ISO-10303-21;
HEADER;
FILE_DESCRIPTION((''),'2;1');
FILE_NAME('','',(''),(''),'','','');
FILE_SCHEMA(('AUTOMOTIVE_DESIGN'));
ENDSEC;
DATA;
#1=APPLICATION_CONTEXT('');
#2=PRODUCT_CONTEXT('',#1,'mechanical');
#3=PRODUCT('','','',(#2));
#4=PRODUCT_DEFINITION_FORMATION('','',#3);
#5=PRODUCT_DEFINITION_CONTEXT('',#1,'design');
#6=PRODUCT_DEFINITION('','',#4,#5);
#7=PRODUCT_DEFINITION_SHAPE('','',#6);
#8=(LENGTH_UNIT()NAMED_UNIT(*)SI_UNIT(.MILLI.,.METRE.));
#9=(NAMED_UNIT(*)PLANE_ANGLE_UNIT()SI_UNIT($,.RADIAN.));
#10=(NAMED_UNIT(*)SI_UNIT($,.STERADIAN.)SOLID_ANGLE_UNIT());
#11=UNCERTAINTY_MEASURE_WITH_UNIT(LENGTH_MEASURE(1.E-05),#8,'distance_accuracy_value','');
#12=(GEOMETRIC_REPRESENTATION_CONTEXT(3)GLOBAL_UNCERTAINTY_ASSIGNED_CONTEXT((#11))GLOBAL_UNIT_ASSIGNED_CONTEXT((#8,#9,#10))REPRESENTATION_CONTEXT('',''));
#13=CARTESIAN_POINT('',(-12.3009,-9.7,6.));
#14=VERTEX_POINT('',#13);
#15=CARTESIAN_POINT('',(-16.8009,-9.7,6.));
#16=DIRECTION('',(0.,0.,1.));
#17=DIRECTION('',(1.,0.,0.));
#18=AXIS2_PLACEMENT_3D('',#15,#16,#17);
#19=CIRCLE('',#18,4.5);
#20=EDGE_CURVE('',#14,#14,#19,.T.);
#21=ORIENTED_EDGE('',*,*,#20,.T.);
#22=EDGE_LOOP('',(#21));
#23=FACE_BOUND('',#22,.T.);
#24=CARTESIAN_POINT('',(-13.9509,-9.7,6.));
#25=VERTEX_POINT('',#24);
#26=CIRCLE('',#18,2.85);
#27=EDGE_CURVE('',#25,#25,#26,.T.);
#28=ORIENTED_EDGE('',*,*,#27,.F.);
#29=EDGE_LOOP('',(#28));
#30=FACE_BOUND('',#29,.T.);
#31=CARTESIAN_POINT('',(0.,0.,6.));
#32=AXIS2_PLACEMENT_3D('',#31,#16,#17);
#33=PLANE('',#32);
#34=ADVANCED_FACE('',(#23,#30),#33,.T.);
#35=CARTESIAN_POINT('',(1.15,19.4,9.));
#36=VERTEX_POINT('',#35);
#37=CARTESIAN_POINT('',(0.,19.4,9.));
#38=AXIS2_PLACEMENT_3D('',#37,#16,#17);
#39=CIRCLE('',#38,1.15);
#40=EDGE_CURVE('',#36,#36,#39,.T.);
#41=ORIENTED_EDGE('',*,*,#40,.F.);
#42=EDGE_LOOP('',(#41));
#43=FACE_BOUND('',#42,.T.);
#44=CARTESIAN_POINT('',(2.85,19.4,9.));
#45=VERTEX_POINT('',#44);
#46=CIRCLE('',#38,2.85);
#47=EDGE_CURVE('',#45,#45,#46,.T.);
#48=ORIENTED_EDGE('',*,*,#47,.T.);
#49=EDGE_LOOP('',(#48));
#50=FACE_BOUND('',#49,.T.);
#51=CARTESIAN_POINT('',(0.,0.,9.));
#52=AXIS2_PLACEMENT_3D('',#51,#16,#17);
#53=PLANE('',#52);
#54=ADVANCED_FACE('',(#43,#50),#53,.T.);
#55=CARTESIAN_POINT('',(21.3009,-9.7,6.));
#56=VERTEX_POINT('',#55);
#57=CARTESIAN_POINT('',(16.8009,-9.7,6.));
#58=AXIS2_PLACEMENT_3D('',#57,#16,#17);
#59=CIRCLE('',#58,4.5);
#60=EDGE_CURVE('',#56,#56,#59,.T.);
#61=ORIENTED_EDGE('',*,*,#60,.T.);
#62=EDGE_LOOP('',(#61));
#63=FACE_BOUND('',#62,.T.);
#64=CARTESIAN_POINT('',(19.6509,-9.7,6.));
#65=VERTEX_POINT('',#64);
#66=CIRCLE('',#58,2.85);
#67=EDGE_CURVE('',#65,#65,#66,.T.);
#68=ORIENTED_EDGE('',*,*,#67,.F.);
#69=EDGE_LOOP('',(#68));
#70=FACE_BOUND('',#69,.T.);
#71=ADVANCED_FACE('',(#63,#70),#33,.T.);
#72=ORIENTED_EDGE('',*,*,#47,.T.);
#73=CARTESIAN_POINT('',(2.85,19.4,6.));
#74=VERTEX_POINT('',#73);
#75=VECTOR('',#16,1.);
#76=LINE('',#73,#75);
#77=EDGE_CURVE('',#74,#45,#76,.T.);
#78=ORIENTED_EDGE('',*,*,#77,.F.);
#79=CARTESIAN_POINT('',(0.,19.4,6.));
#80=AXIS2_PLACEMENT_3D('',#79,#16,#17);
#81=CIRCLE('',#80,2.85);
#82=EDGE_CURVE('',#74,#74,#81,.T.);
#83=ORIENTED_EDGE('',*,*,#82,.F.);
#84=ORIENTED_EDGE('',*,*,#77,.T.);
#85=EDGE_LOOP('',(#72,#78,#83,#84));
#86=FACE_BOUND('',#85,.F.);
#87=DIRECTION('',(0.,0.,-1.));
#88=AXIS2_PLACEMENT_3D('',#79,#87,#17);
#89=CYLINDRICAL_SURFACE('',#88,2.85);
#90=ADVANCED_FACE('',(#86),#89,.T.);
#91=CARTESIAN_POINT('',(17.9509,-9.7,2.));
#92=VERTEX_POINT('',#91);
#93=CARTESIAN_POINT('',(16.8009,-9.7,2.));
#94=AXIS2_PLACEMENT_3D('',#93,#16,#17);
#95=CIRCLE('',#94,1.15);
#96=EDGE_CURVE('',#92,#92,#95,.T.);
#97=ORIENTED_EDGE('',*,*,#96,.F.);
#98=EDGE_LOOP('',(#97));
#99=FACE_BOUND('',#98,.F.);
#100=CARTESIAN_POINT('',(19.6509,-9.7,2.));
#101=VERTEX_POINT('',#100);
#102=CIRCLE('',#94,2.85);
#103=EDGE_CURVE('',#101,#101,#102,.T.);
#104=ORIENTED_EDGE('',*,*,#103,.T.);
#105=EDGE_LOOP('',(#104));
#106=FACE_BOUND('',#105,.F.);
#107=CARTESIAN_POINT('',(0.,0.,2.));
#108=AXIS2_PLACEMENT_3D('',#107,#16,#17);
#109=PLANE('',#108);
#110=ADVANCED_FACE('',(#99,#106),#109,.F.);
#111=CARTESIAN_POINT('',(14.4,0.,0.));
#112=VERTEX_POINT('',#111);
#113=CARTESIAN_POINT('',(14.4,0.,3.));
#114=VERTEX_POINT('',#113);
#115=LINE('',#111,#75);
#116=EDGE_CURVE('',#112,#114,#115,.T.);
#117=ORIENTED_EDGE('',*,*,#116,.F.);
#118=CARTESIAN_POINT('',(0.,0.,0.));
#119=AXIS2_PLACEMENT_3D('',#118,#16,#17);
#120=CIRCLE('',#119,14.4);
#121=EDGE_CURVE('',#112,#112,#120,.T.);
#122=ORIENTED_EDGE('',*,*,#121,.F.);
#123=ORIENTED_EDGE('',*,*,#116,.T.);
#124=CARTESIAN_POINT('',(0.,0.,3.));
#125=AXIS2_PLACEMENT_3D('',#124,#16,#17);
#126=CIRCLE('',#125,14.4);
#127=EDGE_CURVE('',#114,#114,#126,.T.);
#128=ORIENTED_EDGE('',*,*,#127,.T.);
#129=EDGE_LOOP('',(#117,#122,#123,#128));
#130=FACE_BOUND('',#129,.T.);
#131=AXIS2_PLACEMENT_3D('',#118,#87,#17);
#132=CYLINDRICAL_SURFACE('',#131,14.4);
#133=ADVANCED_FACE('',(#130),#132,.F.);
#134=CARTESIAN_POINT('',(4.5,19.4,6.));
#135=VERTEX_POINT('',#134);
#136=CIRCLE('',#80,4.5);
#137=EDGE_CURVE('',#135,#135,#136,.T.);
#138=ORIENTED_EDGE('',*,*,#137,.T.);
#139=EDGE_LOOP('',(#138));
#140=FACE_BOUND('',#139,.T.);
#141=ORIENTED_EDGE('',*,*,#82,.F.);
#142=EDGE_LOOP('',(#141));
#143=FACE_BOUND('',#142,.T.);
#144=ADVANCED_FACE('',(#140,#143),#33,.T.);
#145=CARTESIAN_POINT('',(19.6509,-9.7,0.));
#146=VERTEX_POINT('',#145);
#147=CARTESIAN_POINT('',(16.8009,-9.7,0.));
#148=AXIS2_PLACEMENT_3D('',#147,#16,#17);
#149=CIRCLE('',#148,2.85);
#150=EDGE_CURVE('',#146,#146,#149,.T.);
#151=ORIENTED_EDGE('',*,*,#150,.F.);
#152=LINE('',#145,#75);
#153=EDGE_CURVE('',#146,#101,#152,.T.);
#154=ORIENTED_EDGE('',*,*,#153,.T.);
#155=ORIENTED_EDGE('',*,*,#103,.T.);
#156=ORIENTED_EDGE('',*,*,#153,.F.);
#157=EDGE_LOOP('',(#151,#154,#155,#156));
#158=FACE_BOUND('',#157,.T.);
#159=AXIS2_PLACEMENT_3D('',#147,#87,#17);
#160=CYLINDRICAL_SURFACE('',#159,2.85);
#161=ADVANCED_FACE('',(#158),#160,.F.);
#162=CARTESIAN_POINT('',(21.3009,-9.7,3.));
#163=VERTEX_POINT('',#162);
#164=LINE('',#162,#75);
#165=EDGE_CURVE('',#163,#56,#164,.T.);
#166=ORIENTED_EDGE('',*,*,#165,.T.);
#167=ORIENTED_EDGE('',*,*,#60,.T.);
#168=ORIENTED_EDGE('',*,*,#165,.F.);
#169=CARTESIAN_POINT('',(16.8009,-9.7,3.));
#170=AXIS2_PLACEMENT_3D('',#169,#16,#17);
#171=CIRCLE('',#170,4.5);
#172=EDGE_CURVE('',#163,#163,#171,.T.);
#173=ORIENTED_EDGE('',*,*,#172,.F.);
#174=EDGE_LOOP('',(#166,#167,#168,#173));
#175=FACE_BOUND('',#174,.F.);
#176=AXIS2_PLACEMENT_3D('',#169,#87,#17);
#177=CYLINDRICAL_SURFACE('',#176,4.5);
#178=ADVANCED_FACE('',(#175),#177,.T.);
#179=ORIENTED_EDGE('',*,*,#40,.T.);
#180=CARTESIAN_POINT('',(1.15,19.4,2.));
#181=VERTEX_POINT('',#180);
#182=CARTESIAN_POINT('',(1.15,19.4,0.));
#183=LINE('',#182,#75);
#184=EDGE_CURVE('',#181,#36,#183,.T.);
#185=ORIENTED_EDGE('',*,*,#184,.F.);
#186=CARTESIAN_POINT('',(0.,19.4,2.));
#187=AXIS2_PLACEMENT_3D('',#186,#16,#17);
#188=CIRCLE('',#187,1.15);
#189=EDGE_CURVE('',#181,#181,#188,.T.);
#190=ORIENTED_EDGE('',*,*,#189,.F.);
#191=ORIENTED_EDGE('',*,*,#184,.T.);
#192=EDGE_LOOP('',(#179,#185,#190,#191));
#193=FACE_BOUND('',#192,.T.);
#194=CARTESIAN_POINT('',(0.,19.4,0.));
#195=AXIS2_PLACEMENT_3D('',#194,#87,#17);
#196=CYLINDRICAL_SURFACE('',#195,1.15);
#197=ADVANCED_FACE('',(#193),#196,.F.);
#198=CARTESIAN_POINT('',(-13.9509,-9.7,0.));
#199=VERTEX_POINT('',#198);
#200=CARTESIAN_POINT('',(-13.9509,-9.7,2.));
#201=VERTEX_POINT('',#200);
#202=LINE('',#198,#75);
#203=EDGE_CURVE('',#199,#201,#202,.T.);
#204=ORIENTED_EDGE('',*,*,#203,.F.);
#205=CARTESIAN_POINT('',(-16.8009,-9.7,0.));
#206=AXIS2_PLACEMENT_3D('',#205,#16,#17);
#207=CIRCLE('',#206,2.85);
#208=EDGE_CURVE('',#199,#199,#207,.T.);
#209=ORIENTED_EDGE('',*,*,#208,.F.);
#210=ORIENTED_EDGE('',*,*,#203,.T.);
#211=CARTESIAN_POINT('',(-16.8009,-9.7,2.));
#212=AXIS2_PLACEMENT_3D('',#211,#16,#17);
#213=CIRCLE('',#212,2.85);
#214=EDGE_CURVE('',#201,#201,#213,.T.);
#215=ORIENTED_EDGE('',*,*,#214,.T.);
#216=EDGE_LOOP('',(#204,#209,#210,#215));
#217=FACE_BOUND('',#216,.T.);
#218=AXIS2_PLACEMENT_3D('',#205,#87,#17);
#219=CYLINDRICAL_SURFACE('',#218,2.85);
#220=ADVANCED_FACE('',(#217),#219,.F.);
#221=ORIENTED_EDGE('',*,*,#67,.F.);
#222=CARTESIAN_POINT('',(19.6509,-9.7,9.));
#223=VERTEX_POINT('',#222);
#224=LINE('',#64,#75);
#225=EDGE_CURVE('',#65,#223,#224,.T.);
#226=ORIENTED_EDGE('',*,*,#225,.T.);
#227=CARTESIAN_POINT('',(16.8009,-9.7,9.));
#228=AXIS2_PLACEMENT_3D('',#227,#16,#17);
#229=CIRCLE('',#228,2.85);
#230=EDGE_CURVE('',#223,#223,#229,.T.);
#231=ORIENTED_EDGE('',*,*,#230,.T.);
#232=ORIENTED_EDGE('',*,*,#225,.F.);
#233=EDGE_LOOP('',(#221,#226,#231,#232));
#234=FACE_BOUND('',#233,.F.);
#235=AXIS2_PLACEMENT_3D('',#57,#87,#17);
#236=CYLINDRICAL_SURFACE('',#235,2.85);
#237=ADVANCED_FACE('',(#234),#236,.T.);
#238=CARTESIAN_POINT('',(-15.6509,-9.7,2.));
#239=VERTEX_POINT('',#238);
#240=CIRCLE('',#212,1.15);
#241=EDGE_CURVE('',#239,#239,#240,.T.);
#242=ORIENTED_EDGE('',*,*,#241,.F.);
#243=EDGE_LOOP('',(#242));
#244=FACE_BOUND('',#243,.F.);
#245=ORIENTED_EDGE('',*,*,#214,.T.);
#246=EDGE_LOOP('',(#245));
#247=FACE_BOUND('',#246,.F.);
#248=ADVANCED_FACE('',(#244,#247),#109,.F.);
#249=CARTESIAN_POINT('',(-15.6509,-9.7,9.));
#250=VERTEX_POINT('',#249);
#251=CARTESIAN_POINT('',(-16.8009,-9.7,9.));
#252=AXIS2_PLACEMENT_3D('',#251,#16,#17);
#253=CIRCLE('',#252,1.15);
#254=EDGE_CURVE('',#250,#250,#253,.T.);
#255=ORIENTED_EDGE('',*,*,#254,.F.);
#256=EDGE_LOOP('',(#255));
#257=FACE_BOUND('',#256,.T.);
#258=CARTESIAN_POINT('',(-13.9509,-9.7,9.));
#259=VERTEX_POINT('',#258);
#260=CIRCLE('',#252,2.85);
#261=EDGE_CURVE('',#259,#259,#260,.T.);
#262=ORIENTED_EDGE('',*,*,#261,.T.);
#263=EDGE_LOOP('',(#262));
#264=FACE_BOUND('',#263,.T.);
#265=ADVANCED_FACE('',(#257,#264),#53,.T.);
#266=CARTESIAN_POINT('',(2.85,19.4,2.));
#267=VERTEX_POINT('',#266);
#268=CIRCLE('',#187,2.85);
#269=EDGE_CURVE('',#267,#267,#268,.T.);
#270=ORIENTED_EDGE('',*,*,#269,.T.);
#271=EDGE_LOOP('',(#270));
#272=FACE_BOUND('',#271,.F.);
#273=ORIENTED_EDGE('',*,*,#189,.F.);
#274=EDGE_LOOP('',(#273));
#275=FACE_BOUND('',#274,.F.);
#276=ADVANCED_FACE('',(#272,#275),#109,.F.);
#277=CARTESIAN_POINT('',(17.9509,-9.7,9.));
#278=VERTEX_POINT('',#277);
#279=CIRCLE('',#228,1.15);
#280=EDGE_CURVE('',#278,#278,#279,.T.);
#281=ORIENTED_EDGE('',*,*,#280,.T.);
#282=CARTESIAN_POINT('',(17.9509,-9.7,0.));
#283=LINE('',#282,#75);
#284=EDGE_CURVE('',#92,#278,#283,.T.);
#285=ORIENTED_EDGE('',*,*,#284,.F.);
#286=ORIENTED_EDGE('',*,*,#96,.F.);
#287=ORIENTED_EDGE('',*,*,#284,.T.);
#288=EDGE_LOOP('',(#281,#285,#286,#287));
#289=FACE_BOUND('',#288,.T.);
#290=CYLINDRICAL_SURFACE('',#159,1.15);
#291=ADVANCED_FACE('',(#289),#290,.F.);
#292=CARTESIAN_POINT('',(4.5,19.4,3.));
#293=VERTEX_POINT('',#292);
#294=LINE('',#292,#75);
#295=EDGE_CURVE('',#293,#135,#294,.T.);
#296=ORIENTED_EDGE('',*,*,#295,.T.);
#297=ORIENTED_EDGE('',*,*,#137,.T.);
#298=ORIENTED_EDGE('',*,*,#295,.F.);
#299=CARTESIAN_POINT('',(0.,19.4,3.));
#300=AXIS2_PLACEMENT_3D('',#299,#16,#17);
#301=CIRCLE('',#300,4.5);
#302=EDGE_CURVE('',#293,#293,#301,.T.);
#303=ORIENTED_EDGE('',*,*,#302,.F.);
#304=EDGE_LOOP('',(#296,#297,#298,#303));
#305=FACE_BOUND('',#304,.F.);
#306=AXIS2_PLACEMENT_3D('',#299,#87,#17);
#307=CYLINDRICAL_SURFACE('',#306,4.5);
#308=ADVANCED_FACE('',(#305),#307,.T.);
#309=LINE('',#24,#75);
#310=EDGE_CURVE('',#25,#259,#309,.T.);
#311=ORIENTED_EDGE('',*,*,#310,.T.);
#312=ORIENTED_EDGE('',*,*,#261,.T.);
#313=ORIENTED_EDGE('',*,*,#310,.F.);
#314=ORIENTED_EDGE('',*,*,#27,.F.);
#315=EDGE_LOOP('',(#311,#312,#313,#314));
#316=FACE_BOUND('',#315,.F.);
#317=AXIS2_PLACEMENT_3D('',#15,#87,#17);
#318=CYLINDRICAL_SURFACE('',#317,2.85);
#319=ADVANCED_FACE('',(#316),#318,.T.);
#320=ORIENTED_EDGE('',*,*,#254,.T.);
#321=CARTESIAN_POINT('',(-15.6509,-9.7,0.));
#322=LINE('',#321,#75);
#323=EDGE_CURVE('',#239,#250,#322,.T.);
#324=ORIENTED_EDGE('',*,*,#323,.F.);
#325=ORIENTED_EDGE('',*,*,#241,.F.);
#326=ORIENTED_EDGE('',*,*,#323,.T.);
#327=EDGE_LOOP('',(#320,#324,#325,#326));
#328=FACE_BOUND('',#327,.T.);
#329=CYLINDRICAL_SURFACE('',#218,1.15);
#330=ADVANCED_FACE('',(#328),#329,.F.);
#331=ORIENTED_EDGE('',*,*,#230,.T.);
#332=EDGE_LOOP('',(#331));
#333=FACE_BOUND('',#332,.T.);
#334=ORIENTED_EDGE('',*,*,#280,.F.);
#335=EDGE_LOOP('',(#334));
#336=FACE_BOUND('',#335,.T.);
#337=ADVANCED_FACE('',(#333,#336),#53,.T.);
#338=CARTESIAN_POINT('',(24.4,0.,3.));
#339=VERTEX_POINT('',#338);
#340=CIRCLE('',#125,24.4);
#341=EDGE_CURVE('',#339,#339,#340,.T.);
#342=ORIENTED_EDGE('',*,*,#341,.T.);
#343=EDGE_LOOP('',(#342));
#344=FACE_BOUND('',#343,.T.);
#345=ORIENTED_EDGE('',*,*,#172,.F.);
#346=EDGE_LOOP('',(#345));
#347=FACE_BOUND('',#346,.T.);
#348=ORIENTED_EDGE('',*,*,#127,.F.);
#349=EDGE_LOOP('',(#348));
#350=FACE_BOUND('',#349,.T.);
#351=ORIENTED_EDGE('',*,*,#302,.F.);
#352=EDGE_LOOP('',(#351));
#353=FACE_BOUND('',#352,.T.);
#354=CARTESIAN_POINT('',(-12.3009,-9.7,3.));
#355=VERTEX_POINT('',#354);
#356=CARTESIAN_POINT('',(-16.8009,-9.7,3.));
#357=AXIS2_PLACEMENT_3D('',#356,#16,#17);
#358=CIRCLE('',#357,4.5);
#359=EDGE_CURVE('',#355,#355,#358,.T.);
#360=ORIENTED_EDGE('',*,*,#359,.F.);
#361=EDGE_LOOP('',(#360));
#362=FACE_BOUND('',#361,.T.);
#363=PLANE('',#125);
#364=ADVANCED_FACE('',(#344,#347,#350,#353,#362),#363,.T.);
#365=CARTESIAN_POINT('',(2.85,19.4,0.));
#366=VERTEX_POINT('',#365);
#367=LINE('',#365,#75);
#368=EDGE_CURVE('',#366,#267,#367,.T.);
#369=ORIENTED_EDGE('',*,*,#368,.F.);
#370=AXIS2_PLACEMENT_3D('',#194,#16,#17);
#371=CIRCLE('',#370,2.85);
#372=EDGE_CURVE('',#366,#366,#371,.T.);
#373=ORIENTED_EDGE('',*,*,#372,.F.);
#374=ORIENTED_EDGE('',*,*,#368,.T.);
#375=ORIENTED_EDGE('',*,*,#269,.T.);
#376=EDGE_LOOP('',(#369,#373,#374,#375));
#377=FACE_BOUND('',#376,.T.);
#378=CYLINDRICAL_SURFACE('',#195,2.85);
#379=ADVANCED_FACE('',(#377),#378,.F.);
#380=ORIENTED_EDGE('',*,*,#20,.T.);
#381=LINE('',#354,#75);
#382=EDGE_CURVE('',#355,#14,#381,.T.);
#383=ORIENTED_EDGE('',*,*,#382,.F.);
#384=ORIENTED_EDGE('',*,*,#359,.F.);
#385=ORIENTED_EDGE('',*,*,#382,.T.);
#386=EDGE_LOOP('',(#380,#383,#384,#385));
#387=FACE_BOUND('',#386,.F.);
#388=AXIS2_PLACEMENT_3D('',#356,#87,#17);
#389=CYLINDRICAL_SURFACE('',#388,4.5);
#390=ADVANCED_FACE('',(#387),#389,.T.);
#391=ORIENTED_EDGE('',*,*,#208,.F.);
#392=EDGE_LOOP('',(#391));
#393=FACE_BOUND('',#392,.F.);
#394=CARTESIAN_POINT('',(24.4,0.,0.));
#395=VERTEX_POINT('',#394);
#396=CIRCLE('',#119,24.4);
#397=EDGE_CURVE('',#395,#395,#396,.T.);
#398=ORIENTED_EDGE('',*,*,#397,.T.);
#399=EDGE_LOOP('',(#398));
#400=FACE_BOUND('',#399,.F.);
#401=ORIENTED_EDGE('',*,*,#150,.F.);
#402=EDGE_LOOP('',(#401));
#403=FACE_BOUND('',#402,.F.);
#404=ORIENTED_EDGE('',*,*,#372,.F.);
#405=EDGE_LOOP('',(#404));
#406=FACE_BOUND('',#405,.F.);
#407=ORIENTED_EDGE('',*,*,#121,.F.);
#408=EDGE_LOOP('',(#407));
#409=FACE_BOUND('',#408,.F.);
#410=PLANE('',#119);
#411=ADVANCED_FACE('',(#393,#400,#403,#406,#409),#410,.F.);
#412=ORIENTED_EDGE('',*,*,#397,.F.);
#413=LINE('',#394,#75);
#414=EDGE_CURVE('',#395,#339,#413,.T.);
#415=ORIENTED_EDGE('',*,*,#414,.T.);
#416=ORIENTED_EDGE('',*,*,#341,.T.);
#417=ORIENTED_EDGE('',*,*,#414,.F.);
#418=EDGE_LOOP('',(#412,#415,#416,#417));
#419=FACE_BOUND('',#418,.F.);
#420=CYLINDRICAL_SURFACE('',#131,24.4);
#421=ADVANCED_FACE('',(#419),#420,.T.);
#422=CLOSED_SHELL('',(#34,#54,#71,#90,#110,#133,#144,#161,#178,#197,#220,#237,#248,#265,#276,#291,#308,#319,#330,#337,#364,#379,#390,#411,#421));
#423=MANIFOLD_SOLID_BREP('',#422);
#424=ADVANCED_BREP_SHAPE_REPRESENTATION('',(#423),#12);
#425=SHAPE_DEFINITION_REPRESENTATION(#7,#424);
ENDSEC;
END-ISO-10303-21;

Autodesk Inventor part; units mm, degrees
ref_plane "YZ Plane" through (0, 0, 0) normal (1, 0, 0) x (0, 1, 0)
ref_plane "XZ Plane" through (0, 0, 0) normal (0, 1, 0) x (-1, 0, 0)
ref_plane "XY Plane" through (0, 0, 0) normal (0, 0, 1) x (1, 0, 0)
sketch "Skizze1" plane through (0, 0, 0) normal (0, 0, 1) x (1, 0, 0)
  line L0 (-34.16, 0) -> (34.16, 0) construction
  circle A0 centre (0, 0) radius 19.4 construction
  circle A1 centre (0, 19.4) radius 1.15
  circle A2 centre (16.8009, -9.7) radius 1.15
  circle A3 centre (-16.8009, -9.7) radius 1.15
  line L1 (0, 34.16) -> (0, -34.16) construction
  line L2 (0, 0) -> (-16.8009, -9.7) construction
  circle A4 centre (0, 0) radius 14.4
  circle A5 centre (0, 0) radius 24.4
  circle A6 centre (16.8009, -9.7) radius 2.85
  circle A7 centre (0, 19.4) radius 2.85
  circle A8 centre (-16.8009, -9.7) radius 2.85
  circle A9 centre (0, 19.4) radius 4.5
  circle A10 centre (16.8009, -9.7) radius 4.5
  circle A11 centre (-16.8009, -9.7) radius 4.5
  dimension "d0" = 38.8
  dimension "d1" = 2.3
  dimension "d2" = 30
  dimension "d3" = 5
  dimension "d4" = 5
  dimension "d21" = 5.7
  dimension "d27" = 9
extrude "Extrusion2" add sketch "Skizze1" along normal blind 3 contours A5 | A6 | A7 | A8 | A9 | A10 | A11
extrude "Extrusion4" add sketch "Skizze1" along normal blind 3 from surface at 3 contours A6 | A7 | A8 | A9 | A10 | A11
extrude "Extrusion5" add sketch "Skizze1" along normal blind 3 from surface at 6 contours A6 | A7 | A8
extrude "Extrusion6" cut sketch "Skizze1" along normal blind 2 contours A6 | A7 | A8
equation "\"d3\" = d4"
properties part number "PlanetaryHolderBottom"
